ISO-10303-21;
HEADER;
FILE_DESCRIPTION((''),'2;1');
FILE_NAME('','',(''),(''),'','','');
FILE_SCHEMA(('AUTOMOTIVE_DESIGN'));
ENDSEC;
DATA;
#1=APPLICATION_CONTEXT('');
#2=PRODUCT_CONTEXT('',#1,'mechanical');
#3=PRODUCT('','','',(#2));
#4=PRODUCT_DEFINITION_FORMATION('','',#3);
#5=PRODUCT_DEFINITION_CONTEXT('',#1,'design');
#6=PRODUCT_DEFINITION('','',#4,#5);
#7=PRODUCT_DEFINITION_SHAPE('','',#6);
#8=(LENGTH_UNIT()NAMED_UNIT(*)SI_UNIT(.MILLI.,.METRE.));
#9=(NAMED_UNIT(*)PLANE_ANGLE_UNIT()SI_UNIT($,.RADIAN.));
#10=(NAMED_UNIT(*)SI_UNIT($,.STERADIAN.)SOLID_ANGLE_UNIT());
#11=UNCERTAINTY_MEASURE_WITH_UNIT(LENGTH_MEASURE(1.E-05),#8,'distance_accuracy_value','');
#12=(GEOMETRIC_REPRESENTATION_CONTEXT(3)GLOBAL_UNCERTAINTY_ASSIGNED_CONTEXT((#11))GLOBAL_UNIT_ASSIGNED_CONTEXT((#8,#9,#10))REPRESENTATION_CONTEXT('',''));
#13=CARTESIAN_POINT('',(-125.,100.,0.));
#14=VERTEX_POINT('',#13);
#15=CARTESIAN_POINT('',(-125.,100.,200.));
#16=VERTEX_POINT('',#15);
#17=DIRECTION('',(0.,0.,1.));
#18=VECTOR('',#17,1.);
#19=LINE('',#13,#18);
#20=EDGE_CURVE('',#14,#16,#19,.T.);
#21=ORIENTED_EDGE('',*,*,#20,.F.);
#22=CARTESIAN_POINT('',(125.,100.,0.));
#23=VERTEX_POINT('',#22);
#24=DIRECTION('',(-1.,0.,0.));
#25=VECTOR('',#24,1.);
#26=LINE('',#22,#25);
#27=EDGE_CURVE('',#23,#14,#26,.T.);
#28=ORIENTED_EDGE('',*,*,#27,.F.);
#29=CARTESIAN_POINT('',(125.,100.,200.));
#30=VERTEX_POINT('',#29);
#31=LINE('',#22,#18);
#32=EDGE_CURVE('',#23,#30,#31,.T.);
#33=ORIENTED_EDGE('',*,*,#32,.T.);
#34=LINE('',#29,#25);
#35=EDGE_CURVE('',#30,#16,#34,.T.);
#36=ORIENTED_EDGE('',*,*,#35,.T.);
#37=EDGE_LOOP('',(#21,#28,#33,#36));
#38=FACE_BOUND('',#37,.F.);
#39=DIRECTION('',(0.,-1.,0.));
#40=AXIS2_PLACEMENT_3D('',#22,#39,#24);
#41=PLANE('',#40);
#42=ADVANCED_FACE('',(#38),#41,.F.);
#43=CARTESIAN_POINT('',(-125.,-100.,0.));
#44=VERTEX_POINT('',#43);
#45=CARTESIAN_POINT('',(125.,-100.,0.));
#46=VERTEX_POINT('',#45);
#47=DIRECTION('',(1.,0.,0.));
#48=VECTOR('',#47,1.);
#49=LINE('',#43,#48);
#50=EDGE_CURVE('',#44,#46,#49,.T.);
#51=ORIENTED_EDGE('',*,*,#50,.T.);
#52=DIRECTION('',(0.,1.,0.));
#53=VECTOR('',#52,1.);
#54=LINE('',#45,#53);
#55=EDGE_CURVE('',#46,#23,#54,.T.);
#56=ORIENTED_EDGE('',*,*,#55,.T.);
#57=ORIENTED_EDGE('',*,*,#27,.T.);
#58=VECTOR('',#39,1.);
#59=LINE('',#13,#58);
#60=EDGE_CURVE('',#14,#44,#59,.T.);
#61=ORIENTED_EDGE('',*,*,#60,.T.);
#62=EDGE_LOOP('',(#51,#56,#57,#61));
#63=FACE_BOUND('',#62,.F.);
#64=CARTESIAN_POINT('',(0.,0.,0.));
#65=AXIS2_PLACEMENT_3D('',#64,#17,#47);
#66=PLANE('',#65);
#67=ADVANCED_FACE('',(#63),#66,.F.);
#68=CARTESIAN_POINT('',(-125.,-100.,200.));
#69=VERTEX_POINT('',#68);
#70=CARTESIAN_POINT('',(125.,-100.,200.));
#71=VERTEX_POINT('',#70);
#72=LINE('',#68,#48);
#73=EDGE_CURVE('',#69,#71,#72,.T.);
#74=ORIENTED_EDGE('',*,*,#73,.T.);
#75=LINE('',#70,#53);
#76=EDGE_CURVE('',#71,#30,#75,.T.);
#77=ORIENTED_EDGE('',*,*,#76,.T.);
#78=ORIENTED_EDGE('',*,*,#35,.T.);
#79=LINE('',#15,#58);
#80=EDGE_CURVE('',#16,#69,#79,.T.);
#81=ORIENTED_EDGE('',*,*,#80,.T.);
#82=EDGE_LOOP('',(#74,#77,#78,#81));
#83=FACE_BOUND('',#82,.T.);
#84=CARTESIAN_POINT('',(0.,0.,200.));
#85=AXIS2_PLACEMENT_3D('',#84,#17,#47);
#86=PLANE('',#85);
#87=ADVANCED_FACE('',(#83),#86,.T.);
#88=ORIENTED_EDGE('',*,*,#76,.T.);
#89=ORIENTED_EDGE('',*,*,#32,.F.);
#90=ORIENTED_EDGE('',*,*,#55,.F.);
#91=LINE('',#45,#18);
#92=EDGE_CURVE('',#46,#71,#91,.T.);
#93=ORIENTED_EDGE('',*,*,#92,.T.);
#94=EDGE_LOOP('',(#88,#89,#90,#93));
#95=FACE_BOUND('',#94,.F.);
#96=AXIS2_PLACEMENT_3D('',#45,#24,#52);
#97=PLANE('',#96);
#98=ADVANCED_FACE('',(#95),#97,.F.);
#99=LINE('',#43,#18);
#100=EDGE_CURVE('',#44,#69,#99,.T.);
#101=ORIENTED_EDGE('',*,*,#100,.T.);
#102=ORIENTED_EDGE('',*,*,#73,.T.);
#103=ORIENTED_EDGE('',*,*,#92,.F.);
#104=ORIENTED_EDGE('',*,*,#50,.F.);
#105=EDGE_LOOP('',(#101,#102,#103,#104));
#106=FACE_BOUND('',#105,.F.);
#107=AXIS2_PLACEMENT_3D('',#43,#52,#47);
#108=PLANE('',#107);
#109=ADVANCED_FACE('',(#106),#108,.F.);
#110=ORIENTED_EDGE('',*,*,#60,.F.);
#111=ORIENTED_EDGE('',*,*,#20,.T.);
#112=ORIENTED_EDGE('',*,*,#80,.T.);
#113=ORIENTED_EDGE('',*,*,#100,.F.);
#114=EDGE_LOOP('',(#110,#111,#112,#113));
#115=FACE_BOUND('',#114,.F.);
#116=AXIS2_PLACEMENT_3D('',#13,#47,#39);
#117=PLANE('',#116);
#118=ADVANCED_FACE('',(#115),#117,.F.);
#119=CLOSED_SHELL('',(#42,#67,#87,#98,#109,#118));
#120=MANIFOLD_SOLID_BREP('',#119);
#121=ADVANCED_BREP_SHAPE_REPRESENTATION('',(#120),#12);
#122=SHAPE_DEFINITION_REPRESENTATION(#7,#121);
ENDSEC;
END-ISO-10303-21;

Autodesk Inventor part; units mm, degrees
ref_plane "YZ Plane" through (0, 0, 0) normal (1, 0, 0) x (0, 1, 0)
ref_plane "XZ Plane" through (0, 0, 0) normal (0, 1, 0) x (-1, 0, 0)
ref_plane "XY Plane" through (0, 0, 0) normal (0, 0, 1) x (1, 0, 0)
sketch "Sketch1" plane through (0, 0, 0) normal (0, 0, 1) x (1, 0, 0)
  line L0 (-125, -100) -> (125, -100)
  line L1 (125, -100) -> (125, 100)
  line L2 (125, 100) -> (-125, 100)
  line L3 (-125, 100) -> (-125, -100)
  line L4 (-125, -100) -> (125, 100) construction
  line L5 (125, -100) -> (-125, 100) construction
  point P0 (0, 0)
  dimension "d0" = 250
  dimension "d1" = 200
extrude "Extrusion1" add sketch "Sketch1" along normal blind 200
properties part number "HA001" material "ABS Plastic"
